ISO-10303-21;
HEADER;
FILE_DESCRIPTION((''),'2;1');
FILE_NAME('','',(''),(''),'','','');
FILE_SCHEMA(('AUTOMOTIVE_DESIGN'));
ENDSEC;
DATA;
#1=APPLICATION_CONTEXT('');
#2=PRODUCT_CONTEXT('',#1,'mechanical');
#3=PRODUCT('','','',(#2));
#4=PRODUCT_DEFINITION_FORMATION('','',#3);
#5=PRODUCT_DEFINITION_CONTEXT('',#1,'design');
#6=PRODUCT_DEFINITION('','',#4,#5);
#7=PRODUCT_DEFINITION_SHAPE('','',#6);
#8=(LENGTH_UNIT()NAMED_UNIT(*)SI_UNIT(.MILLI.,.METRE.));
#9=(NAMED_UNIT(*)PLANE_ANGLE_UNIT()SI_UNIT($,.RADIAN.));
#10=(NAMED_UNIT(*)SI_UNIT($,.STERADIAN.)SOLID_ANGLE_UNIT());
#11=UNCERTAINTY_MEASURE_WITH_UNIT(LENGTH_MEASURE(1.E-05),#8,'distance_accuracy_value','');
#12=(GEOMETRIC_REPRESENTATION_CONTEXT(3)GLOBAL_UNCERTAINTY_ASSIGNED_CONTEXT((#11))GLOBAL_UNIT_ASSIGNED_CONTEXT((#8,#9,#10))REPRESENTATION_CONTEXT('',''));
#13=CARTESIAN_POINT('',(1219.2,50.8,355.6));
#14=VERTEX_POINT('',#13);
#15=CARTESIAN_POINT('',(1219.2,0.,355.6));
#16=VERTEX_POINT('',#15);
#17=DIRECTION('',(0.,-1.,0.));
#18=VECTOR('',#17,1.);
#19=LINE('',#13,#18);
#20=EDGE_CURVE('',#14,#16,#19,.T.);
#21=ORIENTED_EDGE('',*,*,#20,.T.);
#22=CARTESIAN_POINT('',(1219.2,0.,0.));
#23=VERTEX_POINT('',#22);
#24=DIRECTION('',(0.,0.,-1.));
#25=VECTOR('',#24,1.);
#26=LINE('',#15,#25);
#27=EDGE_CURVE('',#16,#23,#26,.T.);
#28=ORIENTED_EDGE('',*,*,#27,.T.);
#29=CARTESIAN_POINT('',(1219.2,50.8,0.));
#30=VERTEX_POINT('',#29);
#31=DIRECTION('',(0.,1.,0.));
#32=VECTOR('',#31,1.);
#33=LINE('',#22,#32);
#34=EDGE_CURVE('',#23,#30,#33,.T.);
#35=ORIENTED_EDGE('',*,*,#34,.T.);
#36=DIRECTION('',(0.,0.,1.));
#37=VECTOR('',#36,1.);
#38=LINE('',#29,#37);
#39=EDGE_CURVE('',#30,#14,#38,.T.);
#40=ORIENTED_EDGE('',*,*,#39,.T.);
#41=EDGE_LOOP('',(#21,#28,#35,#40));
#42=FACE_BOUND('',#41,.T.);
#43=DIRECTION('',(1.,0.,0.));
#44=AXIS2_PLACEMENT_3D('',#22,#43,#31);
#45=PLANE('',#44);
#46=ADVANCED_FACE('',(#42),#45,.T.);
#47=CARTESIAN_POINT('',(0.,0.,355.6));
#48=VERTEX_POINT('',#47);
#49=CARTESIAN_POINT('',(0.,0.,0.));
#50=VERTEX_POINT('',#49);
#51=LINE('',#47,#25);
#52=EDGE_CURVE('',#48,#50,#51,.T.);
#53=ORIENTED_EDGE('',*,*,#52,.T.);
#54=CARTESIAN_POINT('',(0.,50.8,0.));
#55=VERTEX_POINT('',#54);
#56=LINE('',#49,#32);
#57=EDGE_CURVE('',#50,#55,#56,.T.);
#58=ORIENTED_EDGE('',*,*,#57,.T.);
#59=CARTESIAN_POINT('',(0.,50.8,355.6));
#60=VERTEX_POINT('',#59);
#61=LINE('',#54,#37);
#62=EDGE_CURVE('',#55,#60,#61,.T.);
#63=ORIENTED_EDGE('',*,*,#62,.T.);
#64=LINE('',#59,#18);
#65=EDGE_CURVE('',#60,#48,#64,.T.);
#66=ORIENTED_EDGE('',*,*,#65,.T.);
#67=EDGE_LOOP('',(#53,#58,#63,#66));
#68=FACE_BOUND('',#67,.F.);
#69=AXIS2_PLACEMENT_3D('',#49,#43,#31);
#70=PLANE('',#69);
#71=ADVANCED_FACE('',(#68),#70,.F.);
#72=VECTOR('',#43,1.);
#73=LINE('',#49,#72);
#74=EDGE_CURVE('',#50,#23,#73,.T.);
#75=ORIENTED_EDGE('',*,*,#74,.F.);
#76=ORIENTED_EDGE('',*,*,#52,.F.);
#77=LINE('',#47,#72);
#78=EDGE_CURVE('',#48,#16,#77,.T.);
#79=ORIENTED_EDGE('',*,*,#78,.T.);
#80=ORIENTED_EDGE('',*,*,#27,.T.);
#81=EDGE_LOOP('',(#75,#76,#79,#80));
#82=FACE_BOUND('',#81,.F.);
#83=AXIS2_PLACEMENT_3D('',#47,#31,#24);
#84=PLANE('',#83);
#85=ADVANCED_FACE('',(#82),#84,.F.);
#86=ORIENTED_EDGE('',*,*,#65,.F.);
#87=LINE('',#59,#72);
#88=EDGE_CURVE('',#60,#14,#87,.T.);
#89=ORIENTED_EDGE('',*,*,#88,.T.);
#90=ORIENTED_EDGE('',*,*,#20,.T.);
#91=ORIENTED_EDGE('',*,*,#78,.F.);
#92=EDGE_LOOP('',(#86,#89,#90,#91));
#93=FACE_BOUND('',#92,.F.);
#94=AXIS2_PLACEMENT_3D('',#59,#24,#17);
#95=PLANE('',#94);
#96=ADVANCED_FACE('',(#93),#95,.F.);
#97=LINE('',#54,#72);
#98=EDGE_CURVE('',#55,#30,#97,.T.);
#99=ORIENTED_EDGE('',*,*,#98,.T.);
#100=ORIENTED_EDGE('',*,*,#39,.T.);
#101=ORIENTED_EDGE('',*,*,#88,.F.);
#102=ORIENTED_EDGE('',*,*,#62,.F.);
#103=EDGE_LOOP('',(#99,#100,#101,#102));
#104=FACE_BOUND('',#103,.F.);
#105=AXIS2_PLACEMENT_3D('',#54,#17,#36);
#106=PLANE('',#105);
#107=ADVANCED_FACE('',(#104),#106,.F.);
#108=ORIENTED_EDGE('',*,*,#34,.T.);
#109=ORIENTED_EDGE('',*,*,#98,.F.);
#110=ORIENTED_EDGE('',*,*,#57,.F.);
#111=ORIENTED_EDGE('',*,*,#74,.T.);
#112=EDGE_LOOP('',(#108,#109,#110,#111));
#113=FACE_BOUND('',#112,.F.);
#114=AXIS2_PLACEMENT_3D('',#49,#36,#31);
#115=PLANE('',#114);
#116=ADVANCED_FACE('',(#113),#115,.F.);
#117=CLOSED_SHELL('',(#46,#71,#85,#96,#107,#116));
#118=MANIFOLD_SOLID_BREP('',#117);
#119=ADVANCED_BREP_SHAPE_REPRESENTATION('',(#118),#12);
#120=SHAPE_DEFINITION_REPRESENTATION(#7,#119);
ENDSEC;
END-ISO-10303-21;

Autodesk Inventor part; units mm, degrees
ref_plane "YZ Plane" through (0, 0, 0) normal (1, 0, 0) x (0, 1, 0)
ref_plane "XZ Plane" through (0, 0, 0) normal (0, 1, 0) x (-1, 0, 0)
ref_plane "XY Plane" through (0, 0, 0) normal (0, 0, 1) x (1, 0, 0)
sketch "Sketch1" plane through (0, 0, 0) normal (1, 0, 0) x (0, 1, 0)
  line L0 (0, 0) -> (50.8, 0)
  line L1 (50.8, 0) -> (50.8, 355.6)
  line L2 (50.8, 355.6) -> (0, 355.6)
  line L3 (0, 355.6) -> (0, 0)
  dimension "d0" = 50.8
  dimension "d1" = 355.6
extrude "Extrusion1" add sketch "Sketch1" along normal blind 1219.2
properties part number "2x14x48-3" material "Granite, Cut, Polished"
